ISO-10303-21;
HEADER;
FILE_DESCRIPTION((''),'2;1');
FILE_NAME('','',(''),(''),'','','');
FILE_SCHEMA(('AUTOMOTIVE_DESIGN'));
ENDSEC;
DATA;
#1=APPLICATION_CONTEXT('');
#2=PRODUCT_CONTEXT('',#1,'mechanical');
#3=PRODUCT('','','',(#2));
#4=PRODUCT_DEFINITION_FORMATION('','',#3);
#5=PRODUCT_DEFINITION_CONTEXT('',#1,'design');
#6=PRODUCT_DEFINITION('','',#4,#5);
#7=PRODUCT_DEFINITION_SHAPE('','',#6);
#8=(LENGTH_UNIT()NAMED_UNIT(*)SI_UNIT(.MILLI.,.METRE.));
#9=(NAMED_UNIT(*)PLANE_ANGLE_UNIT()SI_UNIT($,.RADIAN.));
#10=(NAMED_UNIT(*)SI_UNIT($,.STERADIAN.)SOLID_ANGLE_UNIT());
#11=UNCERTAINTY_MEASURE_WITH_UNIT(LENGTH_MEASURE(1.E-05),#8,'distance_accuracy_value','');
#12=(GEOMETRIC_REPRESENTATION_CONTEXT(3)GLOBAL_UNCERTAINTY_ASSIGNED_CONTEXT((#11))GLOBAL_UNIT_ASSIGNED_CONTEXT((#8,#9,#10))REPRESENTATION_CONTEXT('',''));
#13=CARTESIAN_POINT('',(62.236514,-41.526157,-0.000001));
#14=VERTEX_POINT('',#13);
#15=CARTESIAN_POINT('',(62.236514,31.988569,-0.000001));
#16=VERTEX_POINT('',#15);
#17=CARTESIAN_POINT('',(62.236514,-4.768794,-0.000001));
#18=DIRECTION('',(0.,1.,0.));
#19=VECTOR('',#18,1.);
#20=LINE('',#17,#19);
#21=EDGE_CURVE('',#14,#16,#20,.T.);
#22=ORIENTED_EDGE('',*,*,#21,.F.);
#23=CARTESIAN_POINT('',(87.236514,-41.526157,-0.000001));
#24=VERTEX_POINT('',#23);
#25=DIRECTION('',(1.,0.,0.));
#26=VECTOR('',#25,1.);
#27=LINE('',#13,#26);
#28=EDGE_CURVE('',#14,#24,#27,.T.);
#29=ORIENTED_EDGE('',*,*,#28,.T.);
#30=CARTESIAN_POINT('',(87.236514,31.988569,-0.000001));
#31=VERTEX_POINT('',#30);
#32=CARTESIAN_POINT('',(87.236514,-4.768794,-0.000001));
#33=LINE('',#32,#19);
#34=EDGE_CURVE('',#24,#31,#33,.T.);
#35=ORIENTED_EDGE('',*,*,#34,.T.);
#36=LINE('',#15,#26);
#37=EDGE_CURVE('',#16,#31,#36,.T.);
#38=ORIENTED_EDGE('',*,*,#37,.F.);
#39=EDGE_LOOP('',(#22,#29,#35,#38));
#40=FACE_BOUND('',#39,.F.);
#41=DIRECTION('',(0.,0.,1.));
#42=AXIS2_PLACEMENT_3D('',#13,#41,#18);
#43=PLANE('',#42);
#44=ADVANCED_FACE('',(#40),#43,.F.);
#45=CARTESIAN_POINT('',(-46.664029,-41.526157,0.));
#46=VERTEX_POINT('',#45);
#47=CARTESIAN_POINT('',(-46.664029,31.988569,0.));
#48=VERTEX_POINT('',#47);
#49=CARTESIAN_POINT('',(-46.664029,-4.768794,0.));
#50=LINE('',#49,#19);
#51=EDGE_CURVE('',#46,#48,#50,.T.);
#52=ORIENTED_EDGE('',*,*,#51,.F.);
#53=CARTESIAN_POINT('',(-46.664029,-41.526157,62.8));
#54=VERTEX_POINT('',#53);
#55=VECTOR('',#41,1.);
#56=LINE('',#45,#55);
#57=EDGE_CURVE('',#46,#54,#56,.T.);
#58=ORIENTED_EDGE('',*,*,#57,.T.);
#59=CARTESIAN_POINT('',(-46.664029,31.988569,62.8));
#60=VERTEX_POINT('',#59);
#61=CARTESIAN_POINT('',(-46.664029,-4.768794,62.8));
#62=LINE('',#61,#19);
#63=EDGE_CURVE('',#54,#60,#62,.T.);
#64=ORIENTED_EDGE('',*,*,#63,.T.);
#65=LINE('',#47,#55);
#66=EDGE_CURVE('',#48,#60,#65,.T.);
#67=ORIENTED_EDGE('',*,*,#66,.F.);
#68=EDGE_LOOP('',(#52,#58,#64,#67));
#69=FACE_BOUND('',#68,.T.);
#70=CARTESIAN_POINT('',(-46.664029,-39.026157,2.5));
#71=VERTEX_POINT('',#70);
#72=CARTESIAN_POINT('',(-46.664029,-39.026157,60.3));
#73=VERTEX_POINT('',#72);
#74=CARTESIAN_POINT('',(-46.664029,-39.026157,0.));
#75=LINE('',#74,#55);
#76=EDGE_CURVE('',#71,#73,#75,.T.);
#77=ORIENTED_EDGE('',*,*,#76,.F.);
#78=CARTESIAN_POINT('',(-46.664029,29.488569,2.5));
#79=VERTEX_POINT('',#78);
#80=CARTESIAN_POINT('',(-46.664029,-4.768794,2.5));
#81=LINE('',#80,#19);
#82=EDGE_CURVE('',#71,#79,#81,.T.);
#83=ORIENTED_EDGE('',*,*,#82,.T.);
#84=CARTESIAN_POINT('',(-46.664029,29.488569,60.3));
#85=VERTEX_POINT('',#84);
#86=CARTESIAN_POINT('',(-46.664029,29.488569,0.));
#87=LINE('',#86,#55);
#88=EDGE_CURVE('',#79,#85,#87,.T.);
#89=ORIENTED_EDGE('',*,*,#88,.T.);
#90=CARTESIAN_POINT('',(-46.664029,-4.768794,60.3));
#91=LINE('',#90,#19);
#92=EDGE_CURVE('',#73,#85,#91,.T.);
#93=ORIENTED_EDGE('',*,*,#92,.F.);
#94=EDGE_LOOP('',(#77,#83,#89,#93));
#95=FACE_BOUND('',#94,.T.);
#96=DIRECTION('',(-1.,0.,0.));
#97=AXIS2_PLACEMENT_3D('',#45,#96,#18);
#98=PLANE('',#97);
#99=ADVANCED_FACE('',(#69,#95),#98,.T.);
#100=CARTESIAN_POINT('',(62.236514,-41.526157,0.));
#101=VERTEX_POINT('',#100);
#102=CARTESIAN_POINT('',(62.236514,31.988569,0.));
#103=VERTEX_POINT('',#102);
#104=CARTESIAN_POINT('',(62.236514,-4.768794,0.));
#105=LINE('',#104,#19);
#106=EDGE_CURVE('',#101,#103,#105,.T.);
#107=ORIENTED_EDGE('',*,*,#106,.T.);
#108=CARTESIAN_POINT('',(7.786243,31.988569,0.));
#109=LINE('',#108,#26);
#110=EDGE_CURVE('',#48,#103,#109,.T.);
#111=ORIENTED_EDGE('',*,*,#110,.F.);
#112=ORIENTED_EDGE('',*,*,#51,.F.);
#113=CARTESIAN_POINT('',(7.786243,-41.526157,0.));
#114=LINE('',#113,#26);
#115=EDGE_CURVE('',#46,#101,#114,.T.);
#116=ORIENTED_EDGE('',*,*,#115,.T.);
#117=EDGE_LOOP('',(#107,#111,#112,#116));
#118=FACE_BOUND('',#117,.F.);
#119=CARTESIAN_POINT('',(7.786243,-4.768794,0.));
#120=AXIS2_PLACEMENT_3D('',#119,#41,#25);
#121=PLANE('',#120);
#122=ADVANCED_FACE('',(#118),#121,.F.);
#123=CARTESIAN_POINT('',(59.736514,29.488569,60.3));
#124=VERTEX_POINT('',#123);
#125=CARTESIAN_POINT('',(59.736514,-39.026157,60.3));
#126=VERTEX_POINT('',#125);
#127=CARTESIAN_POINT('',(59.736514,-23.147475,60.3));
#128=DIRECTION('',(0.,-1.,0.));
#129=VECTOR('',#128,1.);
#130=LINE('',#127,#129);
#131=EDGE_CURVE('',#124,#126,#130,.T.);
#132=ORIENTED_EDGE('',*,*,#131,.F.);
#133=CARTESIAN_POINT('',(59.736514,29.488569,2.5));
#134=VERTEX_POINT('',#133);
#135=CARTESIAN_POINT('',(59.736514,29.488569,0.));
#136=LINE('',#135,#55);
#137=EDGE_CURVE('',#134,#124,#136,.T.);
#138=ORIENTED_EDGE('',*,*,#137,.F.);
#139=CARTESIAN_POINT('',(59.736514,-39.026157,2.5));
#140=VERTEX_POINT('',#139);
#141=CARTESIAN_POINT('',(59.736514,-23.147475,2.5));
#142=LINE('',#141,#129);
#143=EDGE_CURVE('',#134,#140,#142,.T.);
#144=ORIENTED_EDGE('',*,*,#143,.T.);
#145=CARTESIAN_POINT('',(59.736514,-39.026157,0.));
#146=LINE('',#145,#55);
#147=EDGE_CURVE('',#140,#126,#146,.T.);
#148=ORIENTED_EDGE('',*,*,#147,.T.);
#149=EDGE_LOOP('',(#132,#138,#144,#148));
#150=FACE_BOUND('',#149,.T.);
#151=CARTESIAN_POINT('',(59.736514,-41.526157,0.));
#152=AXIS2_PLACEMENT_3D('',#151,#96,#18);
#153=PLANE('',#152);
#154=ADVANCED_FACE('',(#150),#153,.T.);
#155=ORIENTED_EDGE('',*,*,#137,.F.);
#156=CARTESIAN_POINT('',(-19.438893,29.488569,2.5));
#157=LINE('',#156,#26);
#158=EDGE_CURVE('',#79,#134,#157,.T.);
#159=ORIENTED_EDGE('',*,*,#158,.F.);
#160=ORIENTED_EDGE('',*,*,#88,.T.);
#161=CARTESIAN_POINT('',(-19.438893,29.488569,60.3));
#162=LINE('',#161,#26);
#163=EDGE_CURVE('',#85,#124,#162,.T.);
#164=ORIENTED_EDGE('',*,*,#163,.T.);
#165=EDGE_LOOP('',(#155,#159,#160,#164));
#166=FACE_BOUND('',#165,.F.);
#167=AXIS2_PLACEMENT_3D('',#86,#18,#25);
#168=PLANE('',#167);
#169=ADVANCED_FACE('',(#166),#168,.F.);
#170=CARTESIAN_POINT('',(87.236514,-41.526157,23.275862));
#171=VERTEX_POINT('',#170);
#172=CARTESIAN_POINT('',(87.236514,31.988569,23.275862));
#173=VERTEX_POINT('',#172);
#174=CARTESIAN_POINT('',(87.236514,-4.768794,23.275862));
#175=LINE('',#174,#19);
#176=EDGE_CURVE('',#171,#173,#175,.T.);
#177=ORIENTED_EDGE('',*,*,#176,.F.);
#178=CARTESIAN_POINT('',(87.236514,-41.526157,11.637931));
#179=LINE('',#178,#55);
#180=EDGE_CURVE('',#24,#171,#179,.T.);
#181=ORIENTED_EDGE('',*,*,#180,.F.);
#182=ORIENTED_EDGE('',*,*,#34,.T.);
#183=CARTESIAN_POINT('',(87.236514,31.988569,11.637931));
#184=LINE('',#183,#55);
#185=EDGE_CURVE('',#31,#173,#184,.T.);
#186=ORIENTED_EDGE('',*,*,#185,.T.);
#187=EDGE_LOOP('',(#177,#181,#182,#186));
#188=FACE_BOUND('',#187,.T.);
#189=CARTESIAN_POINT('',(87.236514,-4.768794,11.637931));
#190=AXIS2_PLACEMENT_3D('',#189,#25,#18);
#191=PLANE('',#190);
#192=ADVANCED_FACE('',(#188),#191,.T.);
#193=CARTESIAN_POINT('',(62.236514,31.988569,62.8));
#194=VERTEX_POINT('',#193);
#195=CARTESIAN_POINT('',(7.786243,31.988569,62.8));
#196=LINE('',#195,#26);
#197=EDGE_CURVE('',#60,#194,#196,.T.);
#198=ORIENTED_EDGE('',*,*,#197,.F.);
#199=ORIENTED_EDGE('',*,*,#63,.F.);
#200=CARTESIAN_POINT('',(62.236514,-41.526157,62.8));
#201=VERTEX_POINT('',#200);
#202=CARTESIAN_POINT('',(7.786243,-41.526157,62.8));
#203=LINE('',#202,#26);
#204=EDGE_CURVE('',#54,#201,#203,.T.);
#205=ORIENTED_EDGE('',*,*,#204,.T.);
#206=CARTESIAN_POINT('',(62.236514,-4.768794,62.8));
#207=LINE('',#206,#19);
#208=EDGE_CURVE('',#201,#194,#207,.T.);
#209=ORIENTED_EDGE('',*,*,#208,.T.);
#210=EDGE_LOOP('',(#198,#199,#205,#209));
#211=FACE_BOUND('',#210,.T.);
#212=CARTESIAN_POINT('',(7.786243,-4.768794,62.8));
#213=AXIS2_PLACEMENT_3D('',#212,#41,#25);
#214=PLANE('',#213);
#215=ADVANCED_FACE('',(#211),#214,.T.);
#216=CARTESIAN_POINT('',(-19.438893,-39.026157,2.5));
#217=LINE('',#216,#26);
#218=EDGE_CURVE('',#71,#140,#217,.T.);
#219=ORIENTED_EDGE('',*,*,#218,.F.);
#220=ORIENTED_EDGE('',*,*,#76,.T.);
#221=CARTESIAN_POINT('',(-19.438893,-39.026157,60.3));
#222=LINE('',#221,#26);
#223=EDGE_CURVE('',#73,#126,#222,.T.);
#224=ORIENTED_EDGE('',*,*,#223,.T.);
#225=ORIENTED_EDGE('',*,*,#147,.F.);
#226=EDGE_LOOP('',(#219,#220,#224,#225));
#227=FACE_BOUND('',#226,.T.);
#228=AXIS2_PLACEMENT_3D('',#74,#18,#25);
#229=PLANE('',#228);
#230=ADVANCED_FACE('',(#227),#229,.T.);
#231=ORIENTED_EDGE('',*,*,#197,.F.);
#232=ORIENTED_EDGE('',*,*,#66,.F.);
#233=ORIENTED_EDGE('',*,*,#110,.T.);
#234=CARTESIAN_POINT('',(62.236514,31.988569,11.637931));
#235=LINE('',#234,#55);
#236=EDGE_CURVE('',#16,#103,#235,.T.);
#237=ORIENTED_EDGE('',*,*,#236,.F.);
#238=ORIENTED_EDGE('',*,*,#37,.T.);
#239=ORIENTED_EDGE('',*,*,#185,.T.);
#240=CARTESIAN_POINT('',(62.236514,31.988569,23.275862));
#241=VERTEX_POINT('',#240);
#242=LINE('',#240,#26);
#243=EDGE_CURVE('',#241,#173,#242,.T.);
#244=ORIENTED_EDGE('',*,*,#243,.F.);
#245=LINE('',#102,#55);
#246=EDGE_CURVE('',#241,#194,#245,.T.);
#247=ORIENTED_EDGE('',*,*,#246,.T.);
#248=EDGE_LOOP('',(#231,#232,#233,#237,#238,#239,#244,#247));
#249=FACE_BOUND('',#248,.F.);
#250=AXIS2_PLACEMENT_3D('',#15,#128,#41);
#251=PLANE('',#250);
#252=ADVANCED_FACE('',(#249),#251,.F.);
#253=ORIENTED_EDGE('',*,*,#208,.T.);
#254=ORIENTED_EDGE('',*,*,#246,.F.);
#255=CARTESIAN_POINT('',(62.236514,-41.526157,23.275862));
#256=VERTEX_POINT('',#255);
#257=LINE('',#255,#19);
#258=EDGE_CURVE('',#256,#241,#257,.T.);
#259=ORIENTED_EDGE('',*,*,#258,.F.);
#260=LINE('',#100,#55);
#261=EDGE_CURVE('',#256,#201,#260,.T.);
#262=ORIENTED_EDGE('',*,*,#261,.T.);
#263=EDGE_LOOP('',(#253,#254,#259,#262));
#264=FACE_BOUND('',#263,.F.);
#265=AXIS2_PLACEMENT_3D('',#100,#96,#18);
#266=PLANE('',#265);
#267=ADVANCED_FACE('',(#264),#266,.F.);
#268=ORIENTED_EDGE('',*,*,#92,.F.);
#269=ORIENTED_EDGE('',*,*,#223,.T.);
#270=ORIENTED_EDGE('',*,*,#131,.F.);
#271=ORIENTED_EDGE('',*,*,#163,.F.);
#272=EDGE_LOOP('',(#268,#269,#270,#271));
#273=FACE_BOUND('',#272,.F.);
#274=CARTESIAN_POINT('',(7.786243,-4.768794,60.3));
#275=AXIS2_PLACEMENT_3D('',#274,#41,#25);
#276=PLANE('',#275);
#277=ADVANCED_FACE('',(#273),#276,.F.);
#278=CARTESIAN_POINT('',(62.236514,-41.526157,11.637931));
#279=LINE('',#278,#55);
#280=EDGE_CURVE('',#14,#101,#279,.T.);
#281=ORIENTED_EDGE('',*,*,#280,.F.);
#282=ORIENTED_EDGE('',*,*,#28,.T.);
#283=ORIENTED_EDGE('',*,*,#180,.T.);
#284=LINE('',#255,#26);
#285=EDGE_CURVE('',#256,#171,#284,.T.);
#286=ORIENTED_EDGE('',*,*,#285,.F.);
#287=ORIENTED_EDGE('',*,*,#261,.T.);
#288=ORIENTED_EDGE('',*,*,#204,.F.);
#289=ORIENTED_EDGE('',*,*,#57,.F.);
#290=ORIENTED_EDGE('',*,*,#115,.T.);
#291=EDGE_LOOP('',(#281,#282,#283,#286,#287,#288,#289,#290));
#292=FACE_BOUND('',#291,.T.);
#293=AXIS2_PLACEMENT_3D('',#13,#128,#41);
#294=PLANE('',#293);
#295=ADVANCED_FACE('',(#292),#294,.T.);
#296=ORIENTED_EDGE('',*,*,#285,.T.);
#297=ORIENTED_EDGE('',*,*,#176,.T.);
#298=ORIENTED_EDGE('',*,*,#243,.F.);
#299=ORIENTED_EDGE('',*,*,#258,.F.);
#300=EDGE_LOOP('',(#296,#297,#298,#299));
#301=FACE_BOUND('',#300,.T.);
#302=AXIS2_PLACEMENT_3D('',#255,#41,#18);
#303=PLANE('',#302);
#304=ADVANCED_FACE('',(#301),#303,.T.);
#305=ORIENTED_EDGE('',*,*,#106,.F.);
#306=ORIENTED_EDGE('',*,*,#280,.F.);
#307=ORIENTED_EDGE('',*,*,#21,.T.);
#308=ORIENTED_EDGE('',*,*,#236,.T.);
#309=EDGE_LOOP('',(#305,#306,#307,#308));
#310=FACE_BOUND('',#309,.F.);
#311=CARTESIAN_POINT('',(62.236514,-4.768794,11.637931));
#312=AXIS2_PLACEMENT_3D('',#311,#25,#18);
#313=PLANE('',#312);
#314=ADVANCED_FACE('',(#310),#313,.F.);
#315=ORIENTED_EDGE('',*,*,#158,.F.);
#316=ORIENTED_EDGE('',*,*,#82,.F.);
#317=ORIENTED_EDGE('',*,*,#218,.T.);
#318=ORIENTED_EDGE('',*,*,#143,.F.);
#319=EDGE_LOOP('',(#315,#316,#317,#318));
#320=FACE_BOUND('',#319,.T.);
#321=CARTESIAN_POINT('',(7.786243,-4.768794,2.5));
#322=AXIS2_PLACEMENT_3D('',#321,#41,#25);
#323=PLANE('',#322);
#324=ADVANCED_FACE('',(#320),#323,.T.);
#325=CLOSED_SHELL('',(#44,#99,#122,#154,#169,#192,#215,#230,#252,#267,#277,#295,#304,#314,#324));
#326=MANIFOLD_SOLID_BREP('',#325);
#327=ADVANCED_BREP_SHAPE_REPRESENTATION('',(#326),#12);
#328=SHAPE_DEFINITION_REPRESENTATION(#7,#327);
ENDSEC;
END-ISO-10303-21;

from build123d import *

# Parameters (mm, degrees)
F0_W     = 108.900543
F0_H     = 73.514726
F1_DEPTH = 62.8
F2_T     = -2.5
F3_W     = 73.514726
F3_H     = 23.275863
F4_DEPTH = 25
F5_W     = 12.069764
F5_H     = 6.524198
F6_DEPTH = 0.9


with BuildPart() as f1:
    # F0 (on Top) → F1 (new body)
    with BuildSketch(Plane.XY):
        with Locations((7.786243, -4.768794)):
            Rectangle(F0_W, F0_H)
    extrude(amount=F1_DEPTH)

    # F2
    f2_openings = [f1.faces().sort_by_distance(p)[0] for p in [
        (-46.664029, -4.768794, 31.4),
    ]]
    offset(amount=F2_T, openings=f2_openings)

    # F3 (on face) → F4 (join)
    with BuildSketch(Plane.YZ.offset(62.236514)):
        with Locations((-4.768794, 11.637931)):
            Rectangle(F3_W, F3_H)
    extrude(amount=F4_DEPTH)

    # F5 (on face) → F6 (join)
    with BuildSketch(Plane(origin=(59.736514, 0, 0), x_dir=(0, -1, 0), z_dir=(-1, 0, 0))):
        with Locations((-11.135888, 47.683492)):
            Rectangle(F5_W, F5_H)
        with Locations((11.135888, 47.683492)):
            Rectangle(F5_W, F5_H)
    extrude(amount=-F6_DEPTH)


solid = f1.part
